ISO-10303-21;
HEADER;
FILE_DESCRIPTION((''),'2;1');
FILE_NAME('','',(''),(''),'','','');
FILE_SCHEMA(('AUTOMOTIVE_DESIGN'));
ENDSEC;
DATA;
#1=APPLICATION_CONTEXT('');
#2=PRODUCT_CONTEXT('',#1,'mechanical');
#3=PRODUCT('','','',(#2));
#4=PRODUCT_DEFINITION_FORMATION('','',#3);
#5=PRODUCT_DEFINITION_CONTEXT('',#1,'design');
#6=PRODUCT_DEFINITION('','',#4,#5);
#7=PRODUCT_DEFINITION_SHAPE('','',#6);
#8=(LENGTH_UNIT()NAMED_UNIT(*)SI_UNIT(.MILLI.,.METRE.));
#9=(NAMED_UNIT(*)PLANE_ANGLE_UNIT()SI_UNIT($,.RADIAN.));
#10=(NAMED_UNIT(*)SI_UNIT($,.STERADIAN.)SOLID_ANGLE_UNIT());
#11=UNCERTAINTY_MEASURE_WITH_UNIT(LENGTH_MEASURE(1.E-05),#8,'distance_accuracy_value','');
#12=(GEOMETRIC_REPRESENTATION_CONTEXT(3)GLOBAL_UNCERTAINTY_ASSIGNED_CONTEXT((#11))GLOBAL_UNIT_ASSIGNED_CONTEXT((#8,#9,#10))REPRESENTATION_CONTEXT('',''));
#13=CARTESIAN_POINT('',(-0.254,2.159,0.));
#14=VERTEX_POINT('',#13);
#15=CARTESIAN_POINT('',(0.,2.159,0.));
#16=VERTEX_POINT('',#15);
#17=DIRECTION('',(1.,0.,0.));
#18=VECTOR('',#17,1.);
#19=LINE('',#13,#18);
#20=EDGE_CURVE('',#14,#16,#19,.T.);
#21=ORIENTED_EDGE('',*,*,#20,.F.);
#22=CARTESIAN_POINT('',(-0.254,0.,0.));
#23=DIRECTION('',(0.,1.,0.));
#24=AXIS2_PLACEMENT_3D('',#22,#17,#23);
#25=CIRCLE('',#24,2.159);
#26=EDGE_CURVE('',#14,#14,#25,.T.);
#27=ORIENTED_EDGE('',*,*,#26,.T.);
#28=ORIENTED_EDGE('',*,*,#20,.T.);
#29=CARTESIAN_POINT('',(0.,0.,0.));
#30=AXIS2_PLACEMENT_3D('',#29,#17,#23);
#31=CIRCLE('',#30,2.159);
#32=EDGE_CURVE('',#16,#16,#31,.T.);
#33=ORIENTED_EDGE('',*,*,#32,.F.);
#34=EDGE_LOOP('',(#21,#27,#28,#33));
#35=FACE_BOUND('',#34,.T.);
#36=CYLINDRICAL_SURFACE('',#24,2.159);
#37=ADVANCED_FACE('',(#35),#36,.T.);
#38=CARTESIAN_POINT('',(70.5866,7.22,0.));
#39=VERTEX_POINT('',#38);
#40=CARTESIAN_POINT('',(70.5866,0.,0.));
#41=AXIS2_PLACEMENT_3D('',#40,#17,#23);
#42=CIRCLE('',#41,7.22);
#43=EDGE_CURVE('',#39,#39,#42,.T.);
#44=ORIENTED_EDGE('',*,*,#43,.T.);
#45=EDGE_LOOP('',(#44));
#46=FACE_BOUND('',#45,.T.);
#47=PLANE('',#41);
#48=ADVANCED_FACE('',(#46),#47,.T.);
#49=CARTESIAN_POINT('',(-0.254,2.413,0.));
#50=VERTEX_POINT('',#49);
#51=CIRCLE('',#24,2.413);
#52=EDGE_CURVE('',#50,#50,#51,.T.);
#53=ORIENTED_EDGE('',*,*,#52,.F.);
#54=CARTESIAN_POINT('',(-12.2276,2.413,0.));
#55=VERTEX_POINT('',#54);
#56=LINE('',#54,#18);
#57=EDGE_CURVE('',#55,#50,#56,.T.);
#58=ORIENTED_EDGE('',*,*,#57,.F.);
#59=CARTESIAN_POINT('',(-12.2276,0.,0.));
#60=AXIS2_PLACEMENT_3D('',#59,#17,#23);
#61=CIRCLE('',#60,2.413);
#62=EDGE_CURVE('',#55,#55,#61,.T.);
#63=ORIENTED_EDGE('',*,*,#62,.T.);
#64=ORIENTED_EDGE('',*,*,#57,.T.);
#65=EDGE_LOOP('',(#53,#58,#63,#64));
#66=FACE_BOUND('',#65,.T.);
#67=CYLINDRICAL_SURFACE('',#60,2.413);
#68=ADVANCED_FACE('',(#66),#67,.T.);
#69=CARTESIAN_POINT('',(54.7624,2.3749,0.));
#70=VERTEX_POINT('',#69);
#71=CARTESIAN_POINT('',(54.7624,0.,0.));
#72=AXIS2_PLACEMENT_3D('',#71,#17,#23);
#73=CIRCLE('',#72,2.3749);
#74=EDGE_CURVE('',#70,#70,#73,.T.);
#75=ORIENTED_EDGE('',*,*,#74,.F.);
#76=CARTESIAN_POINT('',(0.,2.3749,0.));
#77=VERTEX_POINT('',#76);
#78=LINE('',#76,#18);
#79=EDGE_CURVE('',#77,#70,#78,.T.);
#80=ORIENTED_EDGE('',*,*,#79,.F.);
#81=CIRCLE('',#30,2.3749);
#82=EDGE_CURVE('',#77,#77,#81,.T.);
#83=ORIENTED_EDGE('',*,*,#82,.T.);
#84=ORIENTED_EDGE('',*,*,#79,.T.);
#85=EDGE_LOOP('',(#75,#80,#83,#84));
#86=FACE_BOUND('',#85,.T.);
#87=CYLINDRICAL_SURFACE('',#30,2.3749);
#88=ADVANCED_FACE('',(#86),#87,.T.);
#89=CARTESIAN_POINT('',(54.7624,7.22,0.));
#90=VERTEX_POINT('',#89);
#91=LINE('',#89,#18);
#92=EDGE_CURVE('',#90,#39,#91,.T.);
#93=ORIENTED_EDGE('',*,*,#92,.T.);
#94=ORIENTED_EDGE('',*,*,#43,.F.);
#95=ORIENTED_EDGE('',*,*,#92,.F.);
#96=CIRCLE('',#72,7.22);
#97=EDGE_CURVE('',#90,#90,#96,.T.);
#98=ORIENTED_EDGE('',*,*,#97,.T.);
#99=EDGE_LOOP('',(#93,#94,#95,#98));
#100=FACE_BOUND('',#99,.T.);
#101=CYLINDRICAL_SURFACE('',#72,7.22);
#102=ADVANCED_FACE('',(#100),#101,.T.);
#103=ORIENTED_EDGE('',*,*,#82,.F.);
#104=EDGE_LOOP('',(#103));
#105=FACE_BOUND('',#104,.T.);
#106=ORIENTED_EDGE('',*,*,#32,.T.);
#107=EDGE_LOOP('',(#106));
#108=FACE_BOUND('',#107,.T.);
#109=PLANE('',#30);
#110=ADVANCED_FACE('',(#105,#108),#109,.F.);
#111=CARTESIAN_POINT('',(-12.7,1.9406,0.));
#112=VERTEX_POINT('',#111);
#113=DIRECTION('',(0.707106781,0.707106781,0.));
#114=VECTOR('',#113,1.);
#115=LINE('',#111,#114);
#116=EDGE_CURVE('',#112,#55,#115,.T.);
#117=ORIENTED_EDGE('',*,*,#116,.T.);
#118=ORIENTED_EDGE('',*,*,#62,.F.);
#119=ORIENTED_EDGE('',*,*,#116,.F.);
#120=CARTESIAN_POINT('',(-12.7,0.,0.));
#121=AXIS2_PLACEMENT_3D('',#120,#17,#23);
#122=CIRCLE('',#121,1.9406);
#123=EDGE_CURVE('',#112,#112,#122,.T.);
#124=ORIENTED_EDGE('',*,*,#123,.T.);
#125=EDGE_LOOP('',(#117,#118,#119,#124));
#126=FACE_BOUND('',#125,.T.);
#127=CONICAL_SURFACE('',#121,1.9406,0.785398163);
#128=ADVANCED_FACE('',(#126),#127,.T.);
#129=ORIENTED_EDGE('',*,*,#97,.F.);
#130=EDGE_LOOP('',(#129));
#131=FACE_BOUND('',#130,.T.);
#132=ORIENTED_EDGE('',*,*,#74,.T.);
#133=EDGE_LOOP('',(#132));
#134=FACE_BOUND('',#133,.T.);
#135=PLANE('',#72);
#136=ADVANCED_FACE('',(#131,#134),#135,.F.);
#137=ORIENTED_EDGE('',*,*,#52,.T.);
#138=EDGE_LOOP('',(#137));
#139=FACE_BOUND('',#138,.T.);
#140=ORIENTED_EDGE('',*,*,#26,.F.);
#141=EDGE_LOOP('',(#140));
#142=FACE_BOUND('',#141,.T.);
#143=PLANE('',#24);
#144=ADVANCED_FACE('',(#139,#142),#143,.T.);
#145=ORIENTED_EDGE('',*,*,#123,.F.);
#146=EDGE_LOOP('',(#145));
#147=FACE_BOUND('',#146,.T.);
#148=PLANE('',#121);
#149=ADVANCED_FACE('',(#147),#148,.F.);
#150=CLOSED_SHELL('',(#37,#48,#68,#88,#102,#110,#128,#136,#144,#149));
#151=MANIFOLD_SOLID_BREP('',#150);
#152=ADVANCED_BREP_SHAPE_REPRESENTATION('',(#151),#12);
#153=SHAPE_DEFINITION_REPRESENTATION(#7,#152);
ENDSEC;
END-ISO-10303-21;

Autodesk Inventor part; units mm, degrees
sketch "Sketch_1" plane through (0, 0, 0) normal (0, 0, 1) x (1, 0, 0)
  line L0 (70.5866, 0) -> (0, 0)
  line L1 (0, 0) -> (0, 2.3749)
  line L2 (0, 2.3749) -> (54.7624, 2.3749)
  line L3 (54.7624, 2.3749) -> (54.7624, 7.22)
  line L4 (54.7624, 7.22) -> (70.5866, 7.22)
  line L5 (70.5866, 7.22) -> (70.5866, 0)
  line L6 (70.5866, 0) -> (0, 0)
revolve "Revolution1" add sketch "Sketch_1" angle 360 about axis through (70.5866, 0, 0) along (1, 0, 0)
sketch "Sketch_3" plane through (0, 0, 0) normal (0, 0, 1) x (1, 0, 0)
  line L0 (0, 0) -> (-12.7, 0)
  line L1 (-12.7, 0) -> (-12.7, 1.9406)
  line L2 (-12.7, 1.9406) -> (-12.2276, 2.413)
  line L3 (-12.2276, 2.413) -> (0, 2.413)
  line L4 (0, 2.413) -> (0, 0)
  line L5 (0, 0) -> (-12.7, 0)
revolve "Revolution2" add sketch "Sketch_3" angle 360 about axis through (0, 0, 0) along (1, 0, 0)
thread "Thread1" size "10-32 UNF" class "2A" standard "ANSI Unified Screw Threads" full length
sketch "Sketch_30" plane through (0, 0, 0) normal (0, 0, 1) x (1, 0, 0)
  line L0 (0, 0) -> (-0.254, 0)
  line L1 (-0.254, 2.159) -> (0, 2.159)
  line L2 (0, 2.159) -> (0, 2.667)
  line L3 (0, 2.667) -> (-0.254, 2.667)
  line L4 (-0.254, 2.667) -> (-0.254, 2.159)
revolve "Revolution3" cut sketch "Sketch_30" angle 360 about axis through (0, 0, 0) along (1, 0, 0)
ref_plane "dia1_XY" through (0, 2.3749, 0) normal (1, 0, 0) x (0, 0, -1)
ref_plane "dia1_YZ" through (0, 2.3749, 0) normal (0, 0, -1) x (0, 1, 0)
ref_plane "dia1_ZX" through (0, 2.3749, 0) normal (0, 1, 0) x (1, 0, 0)
ref_plane "dia12_XY" through (0, 0, 7.8105) normal (1, 0, 0) x (0, 0, -1)
ref_plane "dia12_YZ" through (0, 0, 7.8105) normal (0, 0, -1) x (0, 1, 0)
ref_plane "dia12_ZX" through (0, 0, 7.8105) normal (0, 1, 0) x (1, 0, 0)
ref_plane "dia2_XY" through (0, -2.3749, 0) normal (1, 0, 0) x (0, 0, -1)
ref_plane "dia2_YZ" through (0, -2.3749, 0) normal (0, 0, -1) x (0, 1, 0)
ref_plane "dia2_ZX" through (0, -2.3749, 0) normal (0, 1, 0) x (1, 0, 0)
ref_plane "dia22_XY" through (0, 0, -7.8105) normal (1, 0, 0) x (0, 0, -1)
ref_plane "dia22_YZ" through (0, 0, -7.8105) normal (0, 0, -1) x (0, 1, 0)
ref_plane "dia22_ZX" through (0, 0, -7.8105) normal (0, 1, 0) x (1, 0, 0)
ref_plane "rl1_XY" through (-12.7, 0, 0) normal (1, 0, 0) x (0, 0, -1)
ref_plane "rl1_YZ" through (-12.7, 0, 0) normal (0, 0, -1) x (0, 1, 0)
ref_plane "rl1_ZX" through (-12.7, 0, 0) normal (0, 1, 0) x (1, 0, 0)
ref_plane "rl2_XY" through (0, 0, 0) normal (1, 0, 0) x (0, 0, -1)
ref_plane "rl2_YZ" through (0, 0, 0) normal (0, 0, -1) x (0, 1, 0)
ref_plane "rl2_ZX" through (0, 0, 0) normal (0, 1, 0) x (1, 0, 0)
ref_plane "rod_cp_XY" through (0, 0, 0) normal (1, 0, 0) x (0, 0, -1)
ref_plane "rod_cp_YZ" through (0, 0, 0) normal (0, 0, -1) x (0, 1, 0)
ref_plane "rod_cp_ZX" through (0, 0, 0) normal (0, 1, 0) x (1, 0, 0)
ref_plane "thd1_XY" through (-12.7, 2.413, 0) normal (1, 0, 0) x (0, 0, -1)
ref_plane "thd1_YZ" through (-12.7, 2.413, 0) normal (0, 0, -1) x (0, 1, 0)
ref_plane "thd1_ZX" through (-12.7, 2.413, 0) normal (0, 1, 0) x (1, 0, 0)
ref_plane "thd2_XY" through (-12.7, -2.413, 0) normal (1, 0, 0) x (0, 0, -1)
ref_plane "thd2_YZ" through (-12.7, -2.413, 0) normal (0, 0, -1) x (0, 1, 0)
ref_plane "thd2_ZX" through (-12.7, -2.413, 0) normal (0, 1, 0) x (1, 0, 0)
ref_plane "to_rod_clevis_XY" through (-12.7, 0, 0) normal (1, 0, 0) x (0, 0, -1)
ref_plane "to_rod_clevis_YZ" through (-12.7, 0, 0) normal (0, 0, -1) x (0, 1, 0)
ref_plane "to_rod_clevis_ZX" through (-12.7, 0, 0) normal (0, 1, 0) x (1, 0, 0)
properties part number "021-DXP0000_rod"
